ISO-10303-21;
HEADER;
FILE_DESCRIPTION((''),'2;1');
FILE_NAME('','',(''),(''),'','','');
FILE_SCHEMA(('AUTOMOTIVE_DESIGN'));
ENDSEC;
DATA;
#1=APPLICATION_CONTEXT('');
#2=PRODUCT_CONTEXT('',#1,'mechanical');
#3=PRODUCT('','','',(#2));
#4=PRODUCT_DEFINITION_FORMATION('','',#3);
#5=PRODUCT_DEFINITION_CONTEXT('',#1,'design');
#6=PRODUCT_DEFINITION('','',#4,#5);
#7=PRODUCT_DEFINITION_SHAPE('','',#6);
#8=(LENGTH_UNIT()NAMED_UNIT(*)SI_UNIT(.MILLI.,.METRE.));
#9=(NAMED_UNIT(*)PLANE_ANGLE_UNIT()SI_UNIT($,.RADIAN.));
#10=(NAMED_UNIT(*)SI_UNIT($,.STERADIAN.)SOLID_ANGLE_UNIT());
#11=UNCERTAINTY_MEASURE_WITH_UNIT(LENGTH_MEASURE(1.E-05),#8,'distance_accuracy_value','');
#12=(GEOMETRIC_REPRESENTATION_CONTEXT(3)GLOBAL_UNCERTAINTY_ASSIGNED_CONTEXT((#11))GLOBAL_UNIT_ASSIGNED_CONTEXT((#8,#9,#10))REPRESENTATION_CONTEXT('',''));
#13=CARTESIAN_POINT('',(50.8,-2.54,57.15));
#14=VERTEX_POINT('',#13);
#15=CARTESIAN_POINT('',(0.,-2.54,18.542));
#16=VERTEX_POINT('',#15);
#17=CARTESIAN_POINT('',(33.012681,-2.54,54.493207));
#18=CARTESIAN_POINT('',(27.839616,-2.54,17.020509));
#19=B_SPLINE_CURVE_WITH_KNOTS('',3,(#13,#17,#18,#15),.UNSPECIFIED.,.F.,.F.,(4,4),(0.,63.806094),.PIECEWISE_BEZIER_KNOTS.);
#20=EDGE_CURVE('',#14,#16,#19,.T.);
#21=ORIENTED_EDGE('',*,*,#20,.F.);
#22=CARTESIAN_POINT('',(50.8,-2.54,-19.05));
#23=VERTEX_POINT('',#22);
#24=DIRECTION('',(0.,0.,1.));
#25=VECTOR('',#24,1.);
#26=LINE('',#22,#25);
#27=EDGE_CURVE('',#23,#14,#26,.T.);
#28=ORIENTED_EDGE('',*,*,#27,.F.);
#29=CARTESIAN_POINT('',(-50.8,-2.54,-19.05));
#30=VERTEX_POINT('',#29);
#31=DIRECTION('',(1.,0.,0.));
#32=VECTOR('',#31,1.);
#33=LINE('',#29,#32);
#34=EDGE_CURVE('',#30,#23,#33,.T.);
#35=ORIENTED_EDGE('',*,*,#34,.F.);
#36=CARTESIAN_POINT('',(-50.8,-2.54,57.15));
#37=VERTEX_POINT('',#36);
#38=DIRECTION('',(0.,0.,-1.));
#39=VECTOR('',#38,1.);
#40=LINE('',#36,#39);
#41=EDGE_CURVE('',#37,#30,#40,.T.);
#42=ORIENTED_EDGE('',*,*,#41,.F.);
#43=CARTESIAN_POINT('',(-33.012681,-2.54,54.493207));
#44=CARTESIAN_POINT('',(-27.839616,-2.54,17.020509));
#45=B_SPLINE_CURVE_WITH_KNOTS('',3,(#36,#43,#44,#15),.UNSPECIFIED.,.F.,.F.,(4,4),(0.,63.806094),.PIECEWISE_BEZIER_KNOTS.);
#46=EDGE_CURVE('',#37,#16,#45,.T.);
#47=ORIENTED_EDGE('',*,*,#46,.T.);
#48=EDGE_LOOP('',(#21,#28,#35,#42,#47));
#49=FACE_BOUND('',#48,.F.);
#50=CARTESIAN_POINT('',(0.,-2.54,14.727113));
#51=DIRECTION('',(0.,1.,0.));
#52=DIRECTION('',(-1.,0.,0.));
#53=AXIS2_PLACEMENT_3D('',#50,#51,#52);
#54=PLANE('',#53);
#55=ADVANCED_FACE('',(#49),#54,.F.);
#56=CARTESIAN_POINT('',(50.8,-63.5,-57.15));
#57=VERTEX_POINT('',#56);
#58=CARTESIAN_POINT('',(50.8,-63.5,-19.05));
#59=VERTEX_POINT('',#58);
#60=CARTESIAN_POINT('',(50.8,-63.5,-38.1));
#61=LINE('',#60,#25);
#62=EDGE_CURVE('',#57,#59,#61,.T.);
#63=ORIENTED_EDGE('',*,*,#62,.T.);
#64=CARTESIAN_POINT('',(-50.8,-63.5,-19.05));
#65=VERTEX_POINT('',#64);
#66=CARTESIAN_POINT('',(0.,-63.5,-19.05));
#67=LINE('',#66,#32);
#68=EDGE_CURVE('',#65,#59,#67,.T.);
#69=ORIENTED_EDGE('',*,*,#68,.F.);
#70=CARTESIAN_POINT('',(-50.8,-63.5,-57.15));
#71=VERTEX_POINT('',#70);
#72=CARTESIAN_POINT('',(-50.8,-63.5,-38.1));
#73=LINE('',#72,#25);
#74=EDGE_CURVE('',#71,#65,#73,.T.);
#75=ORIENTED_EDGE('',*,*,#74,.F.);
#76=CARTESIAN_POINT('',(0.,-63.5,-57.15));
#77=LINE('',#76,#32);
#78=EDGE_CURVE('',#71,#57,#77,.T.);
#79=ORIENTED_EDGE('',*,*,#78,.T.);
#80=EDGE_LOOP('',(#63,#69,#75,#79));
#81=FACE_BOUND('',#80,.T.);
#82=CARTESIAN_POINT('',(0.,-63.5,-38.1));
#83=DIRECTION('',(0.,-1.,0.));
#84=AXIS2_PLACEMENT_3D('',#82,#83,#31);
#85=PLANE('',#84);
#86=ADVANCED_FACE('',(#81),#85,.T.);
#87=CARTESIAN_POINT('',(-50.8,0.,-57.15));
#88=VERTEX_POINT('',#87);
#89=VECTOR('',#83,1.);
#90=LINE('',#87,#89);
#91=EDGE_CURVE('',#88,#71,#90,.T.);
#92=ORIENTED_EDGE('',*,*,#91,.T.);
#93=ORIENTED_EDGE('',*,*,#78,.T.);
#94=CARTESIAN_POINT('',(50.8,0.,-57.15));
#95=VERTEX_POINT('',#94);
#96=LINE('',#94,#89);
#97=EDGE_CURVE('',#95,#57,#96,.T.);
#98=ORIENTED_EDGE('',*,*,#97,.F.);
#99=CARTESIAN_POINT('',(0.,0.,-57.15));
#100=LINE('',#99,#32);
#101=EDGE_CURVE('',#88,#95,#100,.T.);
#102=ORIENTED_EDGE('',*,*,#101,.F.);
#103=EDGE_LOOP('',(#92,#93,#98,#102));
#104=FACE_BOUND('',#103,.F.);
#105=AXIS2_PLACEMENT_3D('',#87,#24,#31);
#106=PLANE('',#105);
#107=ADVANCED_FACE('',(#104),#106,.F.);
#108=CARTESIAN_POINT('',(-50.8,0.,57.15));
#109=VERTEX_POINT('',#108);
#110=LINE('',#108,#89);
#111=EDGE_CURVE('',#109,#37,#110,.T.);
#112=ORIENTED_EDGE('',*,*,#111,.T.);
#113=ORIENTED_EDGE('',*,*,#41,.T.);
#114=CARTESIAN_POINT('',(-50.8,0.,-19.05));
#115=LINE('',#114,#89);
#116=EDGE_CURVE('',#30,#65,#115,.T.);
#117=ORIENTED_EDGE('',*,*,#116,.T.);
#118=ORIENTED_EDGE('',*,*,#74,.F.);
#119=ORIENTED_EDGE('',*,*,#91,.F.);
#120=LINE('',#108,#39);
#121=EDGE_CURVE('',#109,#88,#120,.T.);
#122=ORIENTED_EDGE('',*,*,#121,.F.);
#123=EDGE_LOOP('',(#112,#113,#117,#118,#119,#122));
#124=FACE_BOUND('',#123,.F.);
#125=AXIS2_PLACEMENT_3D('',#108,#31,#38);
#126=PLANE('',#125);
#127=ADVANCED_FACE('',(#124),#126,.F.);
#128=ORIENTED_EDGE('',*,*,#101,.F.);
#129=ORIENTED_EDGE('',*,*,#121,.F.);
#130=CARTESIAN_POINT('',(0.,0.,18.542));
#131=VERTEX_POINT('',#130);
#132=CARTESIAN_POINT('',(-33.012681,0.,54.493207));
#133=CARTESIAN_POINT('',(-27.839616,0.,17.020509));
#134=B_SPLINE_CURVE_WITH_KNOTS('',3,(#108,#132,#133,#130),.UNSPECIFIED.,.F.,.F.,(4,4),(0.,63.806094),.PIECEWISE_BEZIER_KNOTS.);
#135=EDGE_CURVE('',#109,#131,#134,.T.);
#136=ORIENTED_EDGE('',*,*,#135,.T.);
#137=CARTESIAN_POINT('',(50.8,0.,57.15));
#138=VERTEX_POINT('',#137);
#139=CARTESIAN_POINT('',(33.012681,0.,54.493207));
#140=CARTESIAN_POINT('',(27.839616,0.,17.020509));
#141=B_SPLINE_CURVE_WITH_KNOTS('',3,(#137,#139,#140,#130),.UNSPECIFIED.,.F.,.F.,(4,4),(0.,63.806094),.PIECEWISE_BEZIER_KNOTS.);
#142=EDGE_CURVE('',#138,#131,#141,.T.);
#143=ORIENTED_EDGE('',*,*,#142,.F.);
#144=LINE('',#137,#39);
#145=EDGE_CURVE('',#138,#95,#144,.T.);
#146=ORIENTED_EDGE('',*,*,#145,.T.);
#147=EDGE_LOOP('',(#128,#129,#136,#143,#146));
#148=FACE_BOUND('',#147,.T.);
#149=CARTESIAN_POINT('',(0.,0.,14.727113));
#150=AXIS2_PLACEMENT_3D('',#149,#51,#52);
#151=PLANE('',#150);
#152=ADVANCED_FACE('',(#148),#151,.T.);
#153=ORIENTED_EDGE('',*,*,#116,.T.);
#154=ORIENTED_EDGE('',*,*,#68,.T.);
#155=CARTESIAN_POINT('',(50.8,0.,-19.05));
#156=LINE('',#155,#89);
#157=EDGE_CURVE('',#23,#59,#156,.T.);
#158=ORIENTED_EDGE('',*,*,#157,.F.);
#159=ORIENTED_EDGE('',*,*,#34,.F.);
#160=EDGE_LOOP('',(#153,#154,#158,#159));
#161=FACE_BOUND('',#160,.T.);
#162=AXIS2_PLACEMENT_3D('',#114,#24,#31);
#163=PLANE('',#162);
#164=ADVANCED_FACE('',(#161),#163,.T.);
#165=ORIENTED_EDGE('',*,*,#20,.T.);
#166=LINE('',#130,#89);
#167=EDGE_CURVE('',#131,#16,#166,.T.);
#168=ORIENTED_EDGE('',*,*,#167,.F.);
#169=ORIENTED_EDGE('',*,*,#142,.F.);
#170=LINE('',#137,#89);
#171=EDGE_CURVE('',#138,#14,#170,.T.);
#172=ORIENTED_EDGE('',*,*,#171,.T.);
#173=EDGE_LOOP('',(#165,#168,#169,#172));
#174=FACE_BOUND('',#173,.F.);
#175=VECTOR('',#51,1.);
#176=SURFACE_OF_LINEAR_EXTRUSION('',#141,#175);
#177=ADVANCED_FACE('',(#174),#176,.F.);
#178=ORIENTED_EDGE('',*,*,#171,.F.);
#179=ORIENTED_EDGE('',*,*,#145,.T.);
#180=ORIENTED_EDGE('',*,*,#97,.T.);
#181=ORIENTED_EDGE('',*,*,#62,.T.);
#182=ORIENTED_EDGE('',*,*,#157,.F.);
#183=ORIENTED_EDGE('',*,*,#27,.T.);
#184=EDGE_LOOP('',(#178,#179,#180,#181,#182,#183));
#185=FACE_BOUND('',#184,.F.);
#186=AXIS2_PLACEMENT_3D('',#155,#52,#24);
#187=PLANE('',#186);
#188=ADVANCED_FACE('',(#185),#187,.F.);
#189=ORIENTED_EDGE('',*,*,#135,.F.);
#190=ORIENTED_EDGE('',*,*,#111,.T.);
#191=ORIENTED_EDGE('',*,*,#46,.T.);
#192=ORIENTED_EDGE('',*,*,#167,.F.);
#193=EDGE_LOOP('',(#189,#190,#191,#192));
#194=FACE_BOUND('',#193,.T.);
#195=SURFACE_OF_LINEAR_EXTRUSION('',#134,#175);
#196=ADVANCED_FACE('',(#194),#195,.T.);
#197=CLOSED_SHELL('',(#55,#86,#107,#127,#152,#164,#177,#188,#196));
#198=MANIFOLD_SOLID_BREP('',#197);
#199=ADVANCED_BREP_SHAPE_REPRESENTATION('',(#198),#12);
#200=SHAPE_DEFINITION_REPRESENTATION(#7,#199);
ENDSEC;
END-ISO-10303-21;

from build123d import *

# Parameters (mm, degrees)
F0_W     = 101.6
F0_H     = 38.1
F1_DEPTH = 63.5
F2_DEPTH = 2.54


with BuildPart() as f1:
    # F0 (on Front) → F1 (new body)
    with BuildSketch(Plane.XZ):
        with Locations((0, -38.1)):
            Rectangle(F0_W, F0_H)
    extrude(amount=F1_DEPTH)

    # F0 (on Front) → F2 (join)
    with BuildSketch(Plane.XZ):
        with BuildLine():
            add(Edge.make_bspline(
                [(-50.8, 57.15), (-33.012681, 54.493207), (-27.839616, 17.020509), (0, 18.542)],
                knots=[0, 0, 0, 0, 63.806094, 63.806094, 63.806094, 63.806094], degree=3))
            Line((-50.8, 57.15), (-50.8, -19.05))
            Line((-50.8, -19.05), (50.8, -19.05))
            Line((50.8, -19.05), (50.8, 57.15))
            add(Edge.make_bspline(
                [(50.8, 57.15), (33.012681, 54.493207), (27.839616, 17.020509), (0, 18.542)],
                knots=[0, 0, 0, 0, 63.806094, 63.806094, 63.806094, 63.806094], degree=3))
        make_face()
    extrude(amount=F2_DEPTH)


solid = f1.part
